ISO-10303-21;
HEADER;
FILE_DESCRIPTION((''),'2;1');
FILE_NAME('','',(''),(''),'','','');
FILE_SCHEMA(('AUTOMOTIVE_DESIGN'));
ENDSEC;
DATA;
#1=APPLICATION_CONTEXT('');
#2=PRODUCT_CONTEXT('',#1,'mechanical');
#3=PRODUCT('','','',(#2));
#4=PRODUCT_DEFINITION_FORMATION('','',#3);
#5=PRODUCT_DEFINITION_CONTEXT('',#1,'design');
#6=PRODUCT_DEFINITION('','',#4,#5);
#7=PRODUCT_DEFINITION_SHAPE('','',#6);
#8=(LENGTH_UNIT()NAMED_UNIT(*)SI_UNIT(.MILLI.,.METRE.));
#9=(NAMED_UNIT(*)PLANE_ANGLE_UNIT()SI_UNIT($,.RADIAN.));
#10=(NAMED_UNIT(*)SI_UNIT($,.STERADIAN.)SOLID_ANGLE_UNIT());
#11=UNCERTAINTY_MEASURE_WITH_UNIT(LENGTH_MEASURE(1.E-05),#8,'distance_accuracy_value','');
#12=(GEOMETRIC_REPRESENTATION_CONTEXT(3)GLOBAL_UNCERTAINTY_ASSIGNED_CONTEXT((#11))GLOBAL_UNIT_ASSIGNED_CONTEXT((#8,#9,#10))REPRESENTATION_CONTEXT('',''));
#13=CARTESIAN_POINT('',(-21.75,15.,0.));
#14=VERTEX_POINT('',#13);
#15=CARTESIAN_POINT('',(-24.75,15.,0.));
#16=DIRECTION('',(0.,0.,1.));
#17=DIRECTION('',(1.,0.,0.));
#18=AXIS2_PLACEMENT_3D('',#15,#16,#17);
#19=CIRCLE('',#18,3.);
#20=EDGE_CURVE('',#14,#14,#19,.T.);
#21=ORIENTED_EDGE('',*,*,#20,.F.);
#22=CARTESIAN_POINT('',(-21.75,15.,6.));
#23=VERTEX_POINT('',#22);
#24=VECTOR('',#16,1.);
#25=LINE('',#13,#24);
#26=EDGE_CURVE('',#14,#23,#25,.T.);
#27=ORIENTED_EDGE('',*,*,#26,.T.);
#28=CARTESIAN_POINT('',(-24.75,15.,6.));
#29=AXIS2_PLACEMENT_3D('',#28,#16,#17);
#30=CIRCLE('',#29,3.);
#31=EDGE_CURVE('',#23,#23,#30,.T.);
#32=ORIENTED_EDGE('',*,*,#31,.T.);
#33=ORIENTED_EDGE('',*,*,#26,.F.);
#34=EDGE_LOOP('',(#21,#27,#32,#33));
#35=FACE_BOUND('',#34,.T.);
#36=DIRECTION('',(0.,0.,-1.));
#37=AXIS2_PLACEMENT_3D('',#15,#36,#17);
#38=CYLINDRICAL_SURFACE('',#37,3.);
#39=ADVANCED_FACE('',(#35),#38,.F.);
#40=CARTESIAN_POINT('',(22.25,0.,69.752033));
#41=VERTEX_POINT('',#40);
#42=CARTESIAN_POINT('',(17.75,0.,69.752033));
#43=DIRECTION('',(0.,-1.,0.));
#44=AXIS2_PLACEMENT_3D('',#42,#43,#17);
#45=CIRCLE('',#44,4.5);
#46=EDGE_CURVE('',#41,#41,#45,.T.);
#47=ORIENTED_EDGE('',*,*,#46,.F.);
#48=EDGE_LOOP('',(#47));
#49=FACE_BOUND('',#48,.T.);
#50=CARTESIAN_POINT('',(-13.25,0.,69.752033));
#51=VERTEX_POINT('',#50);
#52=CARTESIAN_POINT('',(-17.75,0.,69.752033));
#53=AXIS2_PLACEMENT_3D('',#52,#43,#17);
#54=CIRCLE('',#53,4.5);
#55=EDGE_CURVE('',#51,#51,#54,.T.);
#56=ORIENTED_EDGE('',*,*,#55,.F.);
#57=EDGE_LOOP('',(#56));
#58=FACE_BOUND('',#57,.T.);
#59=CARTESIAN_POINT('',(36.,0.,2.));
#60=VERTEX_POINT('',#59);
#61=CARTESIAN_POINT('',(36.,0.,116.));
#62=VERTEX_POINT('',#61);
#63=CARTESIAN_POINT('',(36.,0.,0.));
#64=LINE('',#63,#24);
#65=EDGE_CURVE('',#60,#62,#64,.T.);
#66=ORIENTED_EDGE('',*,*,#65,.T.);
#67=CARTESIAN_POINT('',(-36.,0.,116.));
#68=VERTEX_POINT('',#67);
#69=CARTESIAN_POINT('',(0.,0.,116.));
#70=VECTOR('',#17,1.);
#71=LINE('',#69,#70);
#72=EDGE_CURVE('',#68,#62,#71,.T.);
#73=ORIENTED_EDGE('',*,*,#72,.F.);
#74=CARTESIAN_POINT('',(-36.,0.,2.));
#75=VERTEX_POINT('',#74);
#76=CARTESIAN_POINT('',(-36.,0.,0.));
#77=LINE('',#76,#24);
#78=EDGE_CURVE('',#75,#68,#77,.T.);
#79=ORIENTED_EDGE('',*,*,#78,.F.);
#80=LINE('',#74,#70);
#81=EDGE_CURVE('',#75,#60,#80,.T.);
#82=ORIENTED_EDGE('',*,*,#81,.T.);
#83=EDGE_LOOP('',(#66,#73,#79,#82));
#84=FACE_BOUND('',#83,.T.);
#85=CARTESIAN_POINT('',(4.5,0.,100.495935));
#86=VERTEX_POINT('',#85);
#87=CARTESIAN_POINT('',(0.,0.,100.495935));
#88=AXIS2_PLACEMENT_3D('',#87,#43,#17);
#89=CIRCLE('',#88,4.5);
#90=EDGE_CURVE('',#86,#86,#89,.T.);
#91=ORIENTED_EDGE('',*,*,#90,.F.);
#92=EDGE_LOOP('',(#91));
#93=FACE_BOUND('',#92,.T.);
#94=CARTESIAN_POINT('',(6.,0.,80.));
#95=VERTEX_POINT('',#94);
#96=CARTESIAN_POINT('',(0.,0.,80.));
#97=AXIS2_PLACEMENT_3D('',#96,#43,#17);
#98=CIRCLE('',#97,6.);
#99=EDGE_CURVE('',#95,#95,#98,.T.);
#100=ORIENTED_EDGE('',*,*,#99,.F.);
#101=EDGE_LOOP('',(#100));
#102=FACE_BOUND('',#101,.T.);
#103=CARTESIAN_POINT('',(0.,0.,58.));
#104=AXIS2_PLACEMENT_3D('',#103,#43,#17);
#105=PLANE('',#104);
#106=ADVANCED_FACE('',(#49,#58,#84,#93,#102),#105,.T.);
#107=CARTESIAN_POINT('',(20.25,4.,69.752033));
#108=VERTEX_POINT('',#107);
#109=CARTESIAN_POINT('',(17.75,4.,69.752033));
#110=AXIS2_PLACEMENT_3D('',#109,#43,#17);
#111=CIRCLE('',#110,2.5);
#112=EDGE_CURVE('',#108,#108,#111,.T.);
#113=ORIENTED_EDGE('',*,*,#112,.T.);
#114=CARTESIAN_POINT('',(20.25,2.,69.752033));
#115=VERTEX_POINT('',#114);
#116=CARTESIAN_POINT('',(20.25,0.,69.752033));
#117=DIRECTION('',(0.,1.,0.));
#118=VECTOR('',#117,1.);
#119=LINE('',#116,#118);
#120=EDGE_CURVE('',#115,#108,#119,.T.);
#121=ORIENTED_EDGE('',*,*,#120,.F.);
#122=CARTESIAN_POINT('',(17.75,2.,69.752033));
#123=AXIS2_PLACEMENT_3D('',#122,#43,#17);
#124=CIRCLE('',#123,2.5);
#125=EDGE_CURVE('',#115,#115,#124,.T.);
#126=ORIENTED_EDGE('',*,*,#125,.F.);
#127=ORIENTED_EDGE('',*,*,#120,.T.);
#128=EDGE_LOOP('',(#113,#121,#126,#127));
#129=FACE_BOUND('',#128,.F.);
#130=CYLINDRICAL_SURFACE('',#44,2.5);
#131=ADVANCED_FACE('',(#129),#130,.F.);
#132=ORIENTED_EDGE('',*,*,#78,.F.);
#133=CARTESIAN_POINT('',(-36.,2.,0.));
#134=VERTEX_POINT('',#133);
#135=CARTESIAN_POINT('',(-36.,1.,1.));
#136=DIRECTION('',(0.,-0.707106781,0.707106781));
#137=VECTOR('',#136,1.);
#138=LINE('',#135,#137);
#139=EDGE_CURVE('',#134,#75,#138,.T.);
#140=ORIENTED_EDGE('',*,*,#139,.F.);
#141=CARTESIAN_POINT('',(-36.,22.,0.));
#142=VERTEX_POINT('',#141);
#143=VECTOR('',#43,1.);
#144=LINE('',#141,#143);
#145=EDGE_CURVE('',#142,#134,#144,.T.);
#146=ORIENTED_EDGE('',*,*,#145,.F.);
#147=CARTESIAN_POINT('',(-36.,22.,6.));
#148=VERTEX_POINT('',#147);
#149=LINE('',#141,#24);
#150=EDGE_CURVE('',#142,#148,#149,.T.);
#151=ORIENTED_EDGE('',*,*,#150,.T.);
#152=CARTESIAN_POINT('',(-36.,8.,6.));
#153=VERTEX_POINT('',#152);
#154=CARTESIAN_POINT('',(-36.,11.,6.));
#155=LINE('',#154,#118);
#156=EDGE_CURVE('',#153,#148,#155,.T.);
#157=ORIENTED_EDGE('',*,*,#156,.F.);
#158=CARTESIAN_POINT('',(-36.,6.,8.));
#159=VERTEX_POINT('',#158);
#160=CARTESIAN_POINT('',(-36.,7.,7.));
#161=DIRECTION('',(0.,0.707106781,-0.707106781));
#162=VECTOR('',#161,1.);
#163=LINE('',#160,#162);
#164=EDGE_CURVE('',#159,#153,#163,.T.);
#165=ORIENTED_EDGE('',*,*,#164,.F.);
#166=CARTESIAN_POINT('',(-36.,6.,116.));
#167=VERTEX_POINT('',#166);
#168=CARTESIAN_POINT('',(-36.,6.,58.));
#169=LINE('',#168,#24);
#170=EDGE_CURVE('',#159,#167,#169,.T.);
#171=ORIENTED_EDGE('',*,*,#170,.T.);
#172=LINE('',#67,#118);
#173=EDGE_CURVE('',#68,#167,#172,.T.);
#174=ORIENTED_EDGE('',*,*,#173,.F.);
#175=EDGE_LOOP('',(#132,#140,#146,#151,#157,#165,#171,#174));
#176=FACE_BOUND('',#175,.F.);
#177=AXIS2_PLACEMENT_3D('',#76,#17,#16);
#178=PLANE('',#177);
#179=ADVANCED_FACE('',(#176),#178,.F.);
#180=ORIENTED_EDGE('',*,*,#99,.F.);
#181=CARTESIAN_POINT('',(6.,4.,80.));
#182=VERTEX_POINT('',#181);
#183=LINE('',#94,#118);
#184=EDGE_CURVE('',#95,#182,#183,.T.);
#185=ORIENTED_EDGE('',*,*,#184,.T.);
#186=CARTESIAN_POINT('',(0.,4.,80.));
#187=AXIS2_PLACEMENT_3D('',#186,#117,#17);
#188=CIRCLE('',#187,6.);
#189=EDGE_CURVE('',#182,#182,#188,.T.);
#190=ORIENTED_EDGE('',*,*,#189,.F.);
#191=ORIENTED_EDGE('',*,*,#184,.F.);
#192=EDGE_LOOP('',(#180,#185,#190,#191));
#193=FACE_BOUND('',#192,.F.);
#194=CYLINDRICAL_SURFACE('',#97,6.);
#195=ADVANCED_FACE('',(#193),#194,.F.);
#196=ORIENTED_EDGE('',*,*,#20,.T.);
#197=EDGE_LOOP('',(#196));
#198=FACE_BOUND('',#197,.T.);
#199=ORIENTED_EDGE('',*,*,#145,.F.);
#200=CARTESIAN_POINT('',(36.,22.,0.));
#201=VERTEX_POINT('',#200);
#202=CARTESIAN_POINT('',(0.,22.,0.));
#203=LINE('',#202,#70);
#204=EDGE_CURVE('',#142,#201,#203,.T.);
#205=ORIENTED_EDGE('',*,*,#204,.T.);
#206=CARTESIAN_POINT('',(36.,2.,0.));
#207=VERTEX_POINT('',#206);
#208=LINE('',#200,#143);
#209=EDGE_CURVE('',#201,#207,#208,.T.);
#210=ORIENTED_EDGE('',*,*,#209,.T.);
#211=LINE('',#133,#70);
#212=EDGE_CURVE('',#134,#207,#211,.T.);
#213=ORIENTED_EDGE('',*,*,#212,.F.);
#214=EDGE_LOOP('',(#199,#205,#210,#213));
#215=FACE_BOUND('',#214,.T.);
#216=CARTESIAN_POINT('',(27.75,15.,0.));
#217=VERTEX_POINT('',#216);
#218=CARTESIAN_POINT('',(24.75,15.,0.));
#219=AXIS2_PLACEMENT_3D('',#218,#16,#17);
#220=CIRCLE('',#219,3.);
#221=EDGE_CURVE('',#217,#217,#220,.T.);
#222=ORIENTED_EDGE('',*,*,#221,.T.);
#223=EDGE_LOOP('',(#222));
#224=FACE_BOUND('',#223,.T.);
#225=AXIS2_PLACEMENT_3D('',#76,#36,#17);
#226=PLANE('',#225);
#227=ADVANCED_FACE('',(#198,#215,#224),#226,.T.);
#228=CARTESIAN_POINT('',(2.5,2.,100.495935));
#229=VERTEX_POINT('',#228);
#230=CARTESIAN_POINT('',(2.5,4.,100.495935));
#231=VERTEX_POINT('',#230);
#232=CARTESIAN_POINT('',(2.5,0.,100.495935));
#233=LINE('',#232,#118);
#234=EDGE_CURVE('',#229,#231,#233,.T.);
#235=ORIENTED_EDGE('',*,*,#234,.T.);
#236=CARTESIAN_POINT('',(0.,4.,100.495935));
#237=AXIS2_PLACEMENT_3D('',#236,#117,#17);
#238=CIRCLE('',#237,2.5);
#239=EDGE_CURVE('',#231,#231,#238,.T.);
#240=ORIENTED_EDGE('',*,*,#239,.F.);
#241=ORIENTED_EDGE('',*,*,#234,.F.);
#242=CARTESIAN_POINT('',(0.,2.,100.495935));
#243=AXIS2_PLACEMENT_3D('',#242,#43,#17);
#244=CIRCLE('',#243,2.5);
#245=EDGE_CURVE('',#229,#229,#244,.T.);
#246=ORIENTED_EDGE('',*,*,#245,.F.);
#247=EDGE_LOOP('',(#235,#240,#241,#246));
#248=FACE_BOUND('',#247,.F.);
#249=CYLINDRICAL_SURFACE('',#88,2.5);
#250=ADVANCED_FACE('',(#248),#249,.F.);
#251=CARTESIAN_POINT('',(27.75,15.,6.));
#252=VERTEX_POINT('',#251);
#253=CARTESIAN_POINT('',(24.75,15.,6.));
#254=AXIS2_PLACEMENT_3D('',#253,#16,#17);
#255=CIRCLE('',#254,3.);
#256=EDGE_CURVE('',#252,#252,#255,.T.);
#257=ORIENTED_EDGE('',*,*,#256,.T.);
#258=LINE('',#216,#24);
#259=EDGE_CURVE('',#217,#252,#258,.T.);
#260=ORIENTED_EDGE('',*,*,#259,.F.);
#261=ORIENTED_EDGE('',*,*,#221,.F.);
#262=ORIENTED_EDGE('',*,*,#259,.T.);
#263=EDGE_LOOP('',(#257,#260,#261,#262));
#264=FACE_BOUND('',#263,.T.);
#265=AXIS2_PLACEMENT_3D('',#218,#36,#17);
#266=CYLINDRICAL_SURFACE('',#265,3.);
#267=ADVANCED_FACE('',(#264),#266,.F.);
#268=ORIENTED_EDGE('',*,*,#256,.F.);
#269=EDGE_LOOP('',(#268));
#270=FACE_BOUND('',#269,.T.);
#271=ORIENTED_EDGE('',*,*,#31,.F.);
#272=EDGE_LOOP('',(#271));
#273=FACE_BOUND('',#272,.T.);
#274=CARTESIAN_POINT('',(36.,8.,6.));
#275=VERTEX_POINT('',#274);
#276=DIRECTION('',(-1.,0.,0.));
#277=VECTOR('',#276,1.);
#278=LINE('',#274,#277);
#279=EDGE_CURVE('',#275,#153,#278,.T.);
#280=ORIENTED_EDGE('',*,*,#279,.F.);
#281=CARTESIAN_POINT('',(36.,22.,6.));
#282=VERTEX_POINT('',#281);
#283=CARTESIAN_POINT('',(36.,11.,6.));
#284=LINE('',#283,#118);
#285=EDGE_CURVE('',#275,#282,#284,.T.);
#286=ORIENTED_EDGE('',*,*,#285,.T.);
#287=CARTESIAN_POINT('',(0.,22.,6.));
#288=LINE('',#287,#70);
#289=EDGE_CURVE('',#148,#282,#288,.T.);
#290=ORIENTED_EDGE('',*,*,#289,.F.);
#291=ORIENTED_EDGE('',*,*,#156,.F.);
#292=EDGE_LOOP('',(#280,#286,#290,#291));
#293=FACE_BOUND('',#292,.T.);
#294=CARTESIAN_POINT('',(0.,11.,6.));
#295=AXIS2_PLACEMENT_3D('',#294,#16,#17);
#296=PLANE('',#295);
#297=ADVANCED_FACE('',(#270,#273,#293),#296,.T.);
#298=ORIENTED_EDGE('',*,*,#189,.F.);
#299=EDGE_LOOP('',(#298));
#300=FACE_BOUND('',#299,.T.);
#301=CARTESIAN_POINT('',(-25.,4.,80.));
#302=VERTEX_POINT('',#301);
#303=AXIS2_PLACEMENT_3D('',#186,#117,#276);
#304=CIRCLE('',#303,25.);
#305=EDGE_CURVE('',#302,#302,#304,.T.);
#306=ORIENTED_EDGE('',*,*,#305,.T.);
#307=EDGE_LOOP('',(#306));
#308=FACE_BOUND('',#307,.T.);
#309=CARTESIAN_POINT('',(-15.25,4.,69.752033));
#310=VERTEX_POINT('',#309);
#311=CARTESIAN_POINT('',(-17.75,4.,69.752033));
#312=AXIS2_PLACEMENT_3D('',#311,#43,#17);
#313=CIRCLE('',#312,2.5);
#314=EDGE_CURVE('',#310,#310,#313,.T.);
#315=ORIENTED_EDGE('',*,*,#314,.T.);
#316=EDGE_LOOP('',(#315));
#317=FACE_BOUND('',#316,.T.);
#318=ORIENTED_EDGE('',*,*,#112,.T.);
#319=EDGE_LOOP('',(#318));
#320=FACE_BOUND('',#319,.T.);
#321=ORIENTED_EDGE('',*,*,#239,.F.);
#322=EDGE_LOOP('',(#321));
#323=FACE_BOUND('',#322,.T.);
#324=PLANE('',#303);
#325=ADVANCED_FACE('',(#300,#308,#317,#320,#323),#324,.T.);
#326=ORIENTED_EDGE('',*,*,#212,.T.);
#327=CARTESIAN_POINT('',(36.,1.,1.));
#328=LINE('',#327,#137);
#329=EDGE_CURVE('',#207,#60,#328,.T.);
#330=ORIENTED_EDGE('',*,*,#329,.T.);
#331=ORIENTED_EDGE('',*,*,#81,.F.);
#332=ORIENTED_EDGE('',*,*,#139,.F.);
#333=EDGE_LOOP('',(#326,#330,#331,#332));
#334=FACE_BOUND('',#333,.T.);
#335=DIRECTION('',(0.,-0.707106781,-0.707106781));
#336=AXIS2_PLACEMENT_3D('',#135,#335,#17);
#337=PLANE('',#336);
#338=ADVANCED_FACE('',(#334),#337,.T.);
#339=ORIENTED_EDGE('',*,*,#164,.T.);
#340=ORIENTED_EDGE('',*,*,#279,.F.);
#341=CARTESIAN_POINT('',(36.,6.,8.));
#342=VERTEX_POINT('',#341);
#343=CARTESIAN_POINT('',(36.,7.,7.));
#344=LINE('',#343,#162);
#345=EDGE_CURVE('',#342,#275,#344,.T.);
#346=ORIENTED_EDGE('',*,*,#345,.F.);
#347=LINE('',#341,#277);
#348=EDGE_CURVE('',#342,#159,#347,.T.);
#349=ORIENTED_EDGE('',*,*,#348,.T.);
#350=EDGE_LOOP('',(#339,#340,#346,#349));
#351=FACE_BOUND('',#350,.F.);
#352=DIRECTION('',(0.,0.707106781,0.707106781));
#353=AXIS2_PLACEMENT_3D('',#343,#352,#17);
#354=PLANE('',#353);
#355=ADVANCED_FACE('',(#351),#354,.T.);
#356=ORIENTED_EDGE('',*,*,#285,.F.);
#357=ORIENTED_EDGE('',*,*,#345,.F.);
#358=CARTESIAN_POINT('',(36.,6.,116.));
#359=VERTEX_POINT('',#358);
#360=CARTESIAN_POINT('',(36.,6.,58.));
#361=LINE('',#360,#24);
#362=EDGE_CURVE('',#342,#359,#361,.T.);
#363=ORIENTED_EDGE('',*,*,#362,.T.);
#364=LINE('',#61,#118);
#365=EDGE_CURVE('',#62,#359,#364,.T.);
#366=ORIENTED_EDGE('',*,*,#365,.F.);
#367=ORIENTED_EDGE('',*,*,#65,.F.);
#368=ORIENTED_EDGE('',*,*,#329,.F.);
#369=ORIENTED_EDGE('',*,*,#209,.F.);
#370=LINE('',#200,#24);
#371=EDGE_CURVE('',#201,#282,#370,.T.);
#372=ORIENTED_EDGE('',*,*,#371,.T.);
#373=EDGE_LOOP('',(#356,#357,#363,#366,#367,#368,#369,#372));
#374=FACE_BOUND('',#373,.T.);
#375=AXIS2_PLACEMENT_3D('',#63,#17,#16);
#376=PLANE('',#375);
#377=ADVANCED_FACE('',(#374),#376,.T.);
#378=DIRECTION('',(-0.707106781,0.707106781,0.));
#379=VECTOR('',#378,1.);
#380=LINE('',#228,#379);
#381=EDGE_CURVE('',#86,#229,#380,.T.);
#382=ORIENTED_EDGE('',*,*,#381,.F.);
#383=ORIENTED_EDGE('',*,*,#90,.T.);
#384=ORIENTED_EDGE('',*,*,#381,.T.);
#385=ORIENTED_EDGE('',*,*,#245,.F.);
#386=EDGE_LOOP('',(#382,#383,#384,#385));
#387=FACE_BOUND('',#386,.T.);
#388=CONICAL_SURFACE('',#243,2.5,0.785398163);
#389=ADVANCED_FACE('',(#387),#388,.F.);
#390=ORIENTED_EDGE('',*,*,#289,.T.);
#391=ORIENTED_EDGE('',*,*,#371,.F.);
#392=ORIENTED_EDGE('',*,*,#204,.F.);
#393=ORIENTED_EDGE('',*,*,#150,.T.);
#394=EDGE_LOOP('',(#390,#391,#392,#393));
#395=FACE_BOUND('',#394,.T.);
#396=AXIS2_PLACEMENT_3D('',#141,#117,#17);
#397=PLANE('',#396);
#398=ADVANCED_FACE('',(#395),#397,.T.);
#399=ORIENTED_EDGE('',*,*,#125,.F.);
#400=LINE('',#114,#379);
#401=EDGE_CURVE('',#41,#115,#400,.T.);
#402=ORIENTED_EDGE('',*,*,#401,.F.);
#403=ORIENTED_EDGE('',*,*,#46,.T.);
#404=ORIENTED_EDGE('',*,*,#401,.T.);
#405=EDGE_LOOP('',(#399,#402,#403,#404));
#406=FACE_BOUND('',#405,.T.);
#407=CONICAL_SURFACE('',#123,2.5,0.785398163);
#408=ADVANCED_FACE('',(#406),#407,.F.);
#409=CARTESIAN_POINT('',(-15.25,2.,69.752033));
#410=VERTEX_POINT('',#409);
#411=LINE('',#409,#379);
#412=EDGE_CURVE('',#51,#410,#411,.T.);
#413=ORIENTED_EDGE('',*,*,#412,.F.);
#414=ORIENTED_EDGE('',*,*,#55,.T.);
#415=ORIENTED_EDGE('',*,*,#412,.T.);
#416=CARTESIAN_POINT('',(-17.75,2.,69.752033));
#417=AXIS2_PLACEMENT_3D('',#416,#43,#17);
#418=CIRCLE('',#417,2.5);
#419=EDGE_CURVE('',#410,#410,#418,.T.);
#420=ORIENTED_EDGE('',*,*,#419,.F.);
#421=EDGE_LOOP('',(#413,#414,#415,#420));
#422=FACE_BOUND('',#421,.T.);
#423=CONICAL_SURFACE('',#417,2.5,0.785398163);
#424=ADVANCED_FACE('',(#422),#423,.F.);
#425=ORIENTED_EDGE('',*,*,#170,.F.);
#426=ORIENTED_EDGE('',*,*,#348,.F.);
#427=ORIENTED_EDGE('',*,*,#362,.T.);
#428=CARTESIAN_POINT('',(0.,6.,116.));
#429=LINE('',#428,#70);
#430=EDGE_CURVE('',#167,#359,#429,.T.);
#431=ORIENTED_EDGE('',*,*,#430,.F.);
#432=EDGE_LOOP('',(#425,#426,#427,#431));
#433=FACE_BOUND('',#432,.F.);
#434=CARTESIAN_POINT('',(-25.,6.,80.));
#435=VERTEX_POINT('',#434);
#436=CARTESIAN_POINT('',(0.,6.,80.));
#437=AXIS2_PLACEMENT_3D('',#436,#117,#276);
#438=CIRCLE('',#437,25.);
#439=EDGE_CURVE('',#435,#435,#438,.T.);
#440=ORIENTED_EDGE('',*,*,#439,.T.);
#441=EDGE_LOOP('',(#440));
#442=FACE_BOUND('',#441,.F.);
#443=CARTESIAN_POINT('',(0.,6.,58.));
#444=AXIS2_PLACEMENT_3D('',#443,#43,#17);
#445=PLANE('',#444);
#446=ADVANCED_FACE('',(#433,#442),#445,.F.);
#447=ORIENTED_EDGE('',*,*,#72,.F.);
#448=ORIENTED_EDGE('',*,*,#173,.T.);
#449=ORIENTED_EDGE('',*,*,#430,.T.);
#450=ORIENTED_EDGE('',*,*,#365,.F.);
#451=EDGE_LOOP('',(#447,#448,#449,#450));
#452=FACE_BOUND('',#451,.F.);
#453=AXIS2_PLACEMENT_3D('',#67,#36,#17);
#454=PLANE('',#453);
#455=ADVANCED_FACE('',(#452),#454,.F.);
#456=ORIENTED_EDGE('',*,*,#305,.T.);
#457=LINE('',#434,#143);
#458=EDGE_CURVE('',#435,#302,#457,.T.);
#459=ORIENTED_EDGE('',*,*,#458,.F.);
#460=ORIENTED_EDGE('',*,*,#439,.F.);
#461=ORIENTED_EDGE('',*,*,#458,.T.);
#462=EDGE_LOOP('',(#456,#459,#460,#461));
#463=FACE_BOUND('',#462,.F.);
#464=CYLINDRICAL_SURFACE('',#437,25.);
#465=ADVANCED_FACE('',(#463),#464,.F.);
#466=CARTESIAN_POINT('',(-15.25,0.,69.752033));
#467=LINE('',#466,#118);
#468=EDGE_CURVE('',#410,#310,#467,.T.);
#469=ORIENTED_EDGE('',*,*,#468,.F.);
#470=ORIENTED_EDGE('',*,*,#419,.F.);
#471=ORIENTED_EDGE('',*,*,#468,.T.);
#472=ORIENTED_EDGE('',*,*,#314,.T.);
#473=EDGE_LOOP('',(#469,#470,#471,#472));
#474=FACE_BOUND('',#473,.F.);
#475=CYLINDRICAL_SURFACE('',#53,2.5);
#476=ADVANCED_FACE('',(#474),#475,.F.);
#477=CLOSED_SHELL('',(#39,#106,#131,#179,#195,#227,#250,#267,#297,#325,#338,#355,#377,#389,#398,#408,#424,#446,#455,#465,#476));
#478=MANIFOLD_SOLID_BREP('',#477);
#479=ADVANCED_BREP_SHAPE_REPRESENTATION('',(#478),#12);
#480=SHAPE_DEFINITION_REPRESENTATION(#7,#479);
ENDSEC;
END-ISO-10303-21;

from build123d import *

# Parameters (mm, degrees)
F0_W     = 72
F0_H     = 116
F0_R     = 2.5
F0_R_2   = 6
F2_DEPTH = 6
F1_W     = 72
F1_H     = 22
F1_R     = 3
F3_DEPTH = 6
F4_SIZE  = 2
F5_SIZE  = 2
F6_SIZE  = 2
F7_R     = 25
F7_R_2   = 2.5
F7_R_3   = 6
F8_DEPTH = 2


with BuildPart() as f2:
    # F0 (on Front) → F2 (new body)
    with BuildSketch(Plane.XZ):
        with Locations((0, 58)):
            Rectangle(F0_W, F0_H)
        with Locations((-17.75, 69.752033)):
            Circle(F0_R, mode=Mode.SUBTRACT)
        with Locations((17.75, 69.752033)):
            Circle(F0_R, mode=Mode.SUBTRACT)
        with Locations((0, 80)):
            Circle(F0_R_2, mode=Mode.SUBTRACT)
        with Locations((0, 100.495935)):
            Circle(F0_R, mode=Mode.SUBTRACT)
    extrude(amount=-F2_DEPTH)

    # F1 (on Top) → F3 (join)
    with BuildSketch(Plane.XY):
        with Locations((0, 11)):
            Rectangle(F1_W, F1_H)
        with Locations((-24.75, 15)):
            Circle(F1_R, mode=Mode.SUBTRACT)
        with Locations((24.75, 15)):
            Circle(F1_R, mode=Mode.SUBTRACT)
    extrude(amount=F3_DEPTH)

    # F4
    f4_edges = [f2.edges().sort_by_distance(p)[0] for p in [
        (0, 6, 6),
    ]]
    chamfer(f4_edges, length=F4_SIZE)

    # F5
    f5_edges = [f2.edges().sort_by_distance(p)[0] for p in [
        (0, 0, 0),
    ]]
    chamfer(f5_edges, length=F5_SIZE)

    # F6
    f6_edges = [f2.edges().sort_by_distance(p)[0] for p in [
        (-2.5, 0, 100.495935),
        (-20.25, 0, 69.752033),
        (15.25, 0, 69.752033),
    ]]
    chamfer(f6_edges, length=F6_SIZE)

    # F7 (on face) → F8 (cut)
    with BuildSketch(Plane(origin=(0, 6, 0), x_dir=(-1, 0, 0), z_dir=(0, 1, 0))):
        with Locations((0, 80)):
            Circle(F7_R)
        with Locations((-17.75, 69.752033)):
            Circle(F7_R_2, mode=Mode.SUBTRACT)
        with Locations((17.75, 69.752033)):
            Circle(F7_R_2, mode=Mode.SUBTRACT)
        with Locations((0, 80)):
            Circle(F7_R_3, mode=Mode.SUBTRACT)
        with Locations((0, 100.495935)):
            Circle(F7_R_2, mode=Mode.SUBTRACT)
    extrude(amount=-F8_DEPTH, mode=Mode.SUBTRACT)


solid = f2.part
